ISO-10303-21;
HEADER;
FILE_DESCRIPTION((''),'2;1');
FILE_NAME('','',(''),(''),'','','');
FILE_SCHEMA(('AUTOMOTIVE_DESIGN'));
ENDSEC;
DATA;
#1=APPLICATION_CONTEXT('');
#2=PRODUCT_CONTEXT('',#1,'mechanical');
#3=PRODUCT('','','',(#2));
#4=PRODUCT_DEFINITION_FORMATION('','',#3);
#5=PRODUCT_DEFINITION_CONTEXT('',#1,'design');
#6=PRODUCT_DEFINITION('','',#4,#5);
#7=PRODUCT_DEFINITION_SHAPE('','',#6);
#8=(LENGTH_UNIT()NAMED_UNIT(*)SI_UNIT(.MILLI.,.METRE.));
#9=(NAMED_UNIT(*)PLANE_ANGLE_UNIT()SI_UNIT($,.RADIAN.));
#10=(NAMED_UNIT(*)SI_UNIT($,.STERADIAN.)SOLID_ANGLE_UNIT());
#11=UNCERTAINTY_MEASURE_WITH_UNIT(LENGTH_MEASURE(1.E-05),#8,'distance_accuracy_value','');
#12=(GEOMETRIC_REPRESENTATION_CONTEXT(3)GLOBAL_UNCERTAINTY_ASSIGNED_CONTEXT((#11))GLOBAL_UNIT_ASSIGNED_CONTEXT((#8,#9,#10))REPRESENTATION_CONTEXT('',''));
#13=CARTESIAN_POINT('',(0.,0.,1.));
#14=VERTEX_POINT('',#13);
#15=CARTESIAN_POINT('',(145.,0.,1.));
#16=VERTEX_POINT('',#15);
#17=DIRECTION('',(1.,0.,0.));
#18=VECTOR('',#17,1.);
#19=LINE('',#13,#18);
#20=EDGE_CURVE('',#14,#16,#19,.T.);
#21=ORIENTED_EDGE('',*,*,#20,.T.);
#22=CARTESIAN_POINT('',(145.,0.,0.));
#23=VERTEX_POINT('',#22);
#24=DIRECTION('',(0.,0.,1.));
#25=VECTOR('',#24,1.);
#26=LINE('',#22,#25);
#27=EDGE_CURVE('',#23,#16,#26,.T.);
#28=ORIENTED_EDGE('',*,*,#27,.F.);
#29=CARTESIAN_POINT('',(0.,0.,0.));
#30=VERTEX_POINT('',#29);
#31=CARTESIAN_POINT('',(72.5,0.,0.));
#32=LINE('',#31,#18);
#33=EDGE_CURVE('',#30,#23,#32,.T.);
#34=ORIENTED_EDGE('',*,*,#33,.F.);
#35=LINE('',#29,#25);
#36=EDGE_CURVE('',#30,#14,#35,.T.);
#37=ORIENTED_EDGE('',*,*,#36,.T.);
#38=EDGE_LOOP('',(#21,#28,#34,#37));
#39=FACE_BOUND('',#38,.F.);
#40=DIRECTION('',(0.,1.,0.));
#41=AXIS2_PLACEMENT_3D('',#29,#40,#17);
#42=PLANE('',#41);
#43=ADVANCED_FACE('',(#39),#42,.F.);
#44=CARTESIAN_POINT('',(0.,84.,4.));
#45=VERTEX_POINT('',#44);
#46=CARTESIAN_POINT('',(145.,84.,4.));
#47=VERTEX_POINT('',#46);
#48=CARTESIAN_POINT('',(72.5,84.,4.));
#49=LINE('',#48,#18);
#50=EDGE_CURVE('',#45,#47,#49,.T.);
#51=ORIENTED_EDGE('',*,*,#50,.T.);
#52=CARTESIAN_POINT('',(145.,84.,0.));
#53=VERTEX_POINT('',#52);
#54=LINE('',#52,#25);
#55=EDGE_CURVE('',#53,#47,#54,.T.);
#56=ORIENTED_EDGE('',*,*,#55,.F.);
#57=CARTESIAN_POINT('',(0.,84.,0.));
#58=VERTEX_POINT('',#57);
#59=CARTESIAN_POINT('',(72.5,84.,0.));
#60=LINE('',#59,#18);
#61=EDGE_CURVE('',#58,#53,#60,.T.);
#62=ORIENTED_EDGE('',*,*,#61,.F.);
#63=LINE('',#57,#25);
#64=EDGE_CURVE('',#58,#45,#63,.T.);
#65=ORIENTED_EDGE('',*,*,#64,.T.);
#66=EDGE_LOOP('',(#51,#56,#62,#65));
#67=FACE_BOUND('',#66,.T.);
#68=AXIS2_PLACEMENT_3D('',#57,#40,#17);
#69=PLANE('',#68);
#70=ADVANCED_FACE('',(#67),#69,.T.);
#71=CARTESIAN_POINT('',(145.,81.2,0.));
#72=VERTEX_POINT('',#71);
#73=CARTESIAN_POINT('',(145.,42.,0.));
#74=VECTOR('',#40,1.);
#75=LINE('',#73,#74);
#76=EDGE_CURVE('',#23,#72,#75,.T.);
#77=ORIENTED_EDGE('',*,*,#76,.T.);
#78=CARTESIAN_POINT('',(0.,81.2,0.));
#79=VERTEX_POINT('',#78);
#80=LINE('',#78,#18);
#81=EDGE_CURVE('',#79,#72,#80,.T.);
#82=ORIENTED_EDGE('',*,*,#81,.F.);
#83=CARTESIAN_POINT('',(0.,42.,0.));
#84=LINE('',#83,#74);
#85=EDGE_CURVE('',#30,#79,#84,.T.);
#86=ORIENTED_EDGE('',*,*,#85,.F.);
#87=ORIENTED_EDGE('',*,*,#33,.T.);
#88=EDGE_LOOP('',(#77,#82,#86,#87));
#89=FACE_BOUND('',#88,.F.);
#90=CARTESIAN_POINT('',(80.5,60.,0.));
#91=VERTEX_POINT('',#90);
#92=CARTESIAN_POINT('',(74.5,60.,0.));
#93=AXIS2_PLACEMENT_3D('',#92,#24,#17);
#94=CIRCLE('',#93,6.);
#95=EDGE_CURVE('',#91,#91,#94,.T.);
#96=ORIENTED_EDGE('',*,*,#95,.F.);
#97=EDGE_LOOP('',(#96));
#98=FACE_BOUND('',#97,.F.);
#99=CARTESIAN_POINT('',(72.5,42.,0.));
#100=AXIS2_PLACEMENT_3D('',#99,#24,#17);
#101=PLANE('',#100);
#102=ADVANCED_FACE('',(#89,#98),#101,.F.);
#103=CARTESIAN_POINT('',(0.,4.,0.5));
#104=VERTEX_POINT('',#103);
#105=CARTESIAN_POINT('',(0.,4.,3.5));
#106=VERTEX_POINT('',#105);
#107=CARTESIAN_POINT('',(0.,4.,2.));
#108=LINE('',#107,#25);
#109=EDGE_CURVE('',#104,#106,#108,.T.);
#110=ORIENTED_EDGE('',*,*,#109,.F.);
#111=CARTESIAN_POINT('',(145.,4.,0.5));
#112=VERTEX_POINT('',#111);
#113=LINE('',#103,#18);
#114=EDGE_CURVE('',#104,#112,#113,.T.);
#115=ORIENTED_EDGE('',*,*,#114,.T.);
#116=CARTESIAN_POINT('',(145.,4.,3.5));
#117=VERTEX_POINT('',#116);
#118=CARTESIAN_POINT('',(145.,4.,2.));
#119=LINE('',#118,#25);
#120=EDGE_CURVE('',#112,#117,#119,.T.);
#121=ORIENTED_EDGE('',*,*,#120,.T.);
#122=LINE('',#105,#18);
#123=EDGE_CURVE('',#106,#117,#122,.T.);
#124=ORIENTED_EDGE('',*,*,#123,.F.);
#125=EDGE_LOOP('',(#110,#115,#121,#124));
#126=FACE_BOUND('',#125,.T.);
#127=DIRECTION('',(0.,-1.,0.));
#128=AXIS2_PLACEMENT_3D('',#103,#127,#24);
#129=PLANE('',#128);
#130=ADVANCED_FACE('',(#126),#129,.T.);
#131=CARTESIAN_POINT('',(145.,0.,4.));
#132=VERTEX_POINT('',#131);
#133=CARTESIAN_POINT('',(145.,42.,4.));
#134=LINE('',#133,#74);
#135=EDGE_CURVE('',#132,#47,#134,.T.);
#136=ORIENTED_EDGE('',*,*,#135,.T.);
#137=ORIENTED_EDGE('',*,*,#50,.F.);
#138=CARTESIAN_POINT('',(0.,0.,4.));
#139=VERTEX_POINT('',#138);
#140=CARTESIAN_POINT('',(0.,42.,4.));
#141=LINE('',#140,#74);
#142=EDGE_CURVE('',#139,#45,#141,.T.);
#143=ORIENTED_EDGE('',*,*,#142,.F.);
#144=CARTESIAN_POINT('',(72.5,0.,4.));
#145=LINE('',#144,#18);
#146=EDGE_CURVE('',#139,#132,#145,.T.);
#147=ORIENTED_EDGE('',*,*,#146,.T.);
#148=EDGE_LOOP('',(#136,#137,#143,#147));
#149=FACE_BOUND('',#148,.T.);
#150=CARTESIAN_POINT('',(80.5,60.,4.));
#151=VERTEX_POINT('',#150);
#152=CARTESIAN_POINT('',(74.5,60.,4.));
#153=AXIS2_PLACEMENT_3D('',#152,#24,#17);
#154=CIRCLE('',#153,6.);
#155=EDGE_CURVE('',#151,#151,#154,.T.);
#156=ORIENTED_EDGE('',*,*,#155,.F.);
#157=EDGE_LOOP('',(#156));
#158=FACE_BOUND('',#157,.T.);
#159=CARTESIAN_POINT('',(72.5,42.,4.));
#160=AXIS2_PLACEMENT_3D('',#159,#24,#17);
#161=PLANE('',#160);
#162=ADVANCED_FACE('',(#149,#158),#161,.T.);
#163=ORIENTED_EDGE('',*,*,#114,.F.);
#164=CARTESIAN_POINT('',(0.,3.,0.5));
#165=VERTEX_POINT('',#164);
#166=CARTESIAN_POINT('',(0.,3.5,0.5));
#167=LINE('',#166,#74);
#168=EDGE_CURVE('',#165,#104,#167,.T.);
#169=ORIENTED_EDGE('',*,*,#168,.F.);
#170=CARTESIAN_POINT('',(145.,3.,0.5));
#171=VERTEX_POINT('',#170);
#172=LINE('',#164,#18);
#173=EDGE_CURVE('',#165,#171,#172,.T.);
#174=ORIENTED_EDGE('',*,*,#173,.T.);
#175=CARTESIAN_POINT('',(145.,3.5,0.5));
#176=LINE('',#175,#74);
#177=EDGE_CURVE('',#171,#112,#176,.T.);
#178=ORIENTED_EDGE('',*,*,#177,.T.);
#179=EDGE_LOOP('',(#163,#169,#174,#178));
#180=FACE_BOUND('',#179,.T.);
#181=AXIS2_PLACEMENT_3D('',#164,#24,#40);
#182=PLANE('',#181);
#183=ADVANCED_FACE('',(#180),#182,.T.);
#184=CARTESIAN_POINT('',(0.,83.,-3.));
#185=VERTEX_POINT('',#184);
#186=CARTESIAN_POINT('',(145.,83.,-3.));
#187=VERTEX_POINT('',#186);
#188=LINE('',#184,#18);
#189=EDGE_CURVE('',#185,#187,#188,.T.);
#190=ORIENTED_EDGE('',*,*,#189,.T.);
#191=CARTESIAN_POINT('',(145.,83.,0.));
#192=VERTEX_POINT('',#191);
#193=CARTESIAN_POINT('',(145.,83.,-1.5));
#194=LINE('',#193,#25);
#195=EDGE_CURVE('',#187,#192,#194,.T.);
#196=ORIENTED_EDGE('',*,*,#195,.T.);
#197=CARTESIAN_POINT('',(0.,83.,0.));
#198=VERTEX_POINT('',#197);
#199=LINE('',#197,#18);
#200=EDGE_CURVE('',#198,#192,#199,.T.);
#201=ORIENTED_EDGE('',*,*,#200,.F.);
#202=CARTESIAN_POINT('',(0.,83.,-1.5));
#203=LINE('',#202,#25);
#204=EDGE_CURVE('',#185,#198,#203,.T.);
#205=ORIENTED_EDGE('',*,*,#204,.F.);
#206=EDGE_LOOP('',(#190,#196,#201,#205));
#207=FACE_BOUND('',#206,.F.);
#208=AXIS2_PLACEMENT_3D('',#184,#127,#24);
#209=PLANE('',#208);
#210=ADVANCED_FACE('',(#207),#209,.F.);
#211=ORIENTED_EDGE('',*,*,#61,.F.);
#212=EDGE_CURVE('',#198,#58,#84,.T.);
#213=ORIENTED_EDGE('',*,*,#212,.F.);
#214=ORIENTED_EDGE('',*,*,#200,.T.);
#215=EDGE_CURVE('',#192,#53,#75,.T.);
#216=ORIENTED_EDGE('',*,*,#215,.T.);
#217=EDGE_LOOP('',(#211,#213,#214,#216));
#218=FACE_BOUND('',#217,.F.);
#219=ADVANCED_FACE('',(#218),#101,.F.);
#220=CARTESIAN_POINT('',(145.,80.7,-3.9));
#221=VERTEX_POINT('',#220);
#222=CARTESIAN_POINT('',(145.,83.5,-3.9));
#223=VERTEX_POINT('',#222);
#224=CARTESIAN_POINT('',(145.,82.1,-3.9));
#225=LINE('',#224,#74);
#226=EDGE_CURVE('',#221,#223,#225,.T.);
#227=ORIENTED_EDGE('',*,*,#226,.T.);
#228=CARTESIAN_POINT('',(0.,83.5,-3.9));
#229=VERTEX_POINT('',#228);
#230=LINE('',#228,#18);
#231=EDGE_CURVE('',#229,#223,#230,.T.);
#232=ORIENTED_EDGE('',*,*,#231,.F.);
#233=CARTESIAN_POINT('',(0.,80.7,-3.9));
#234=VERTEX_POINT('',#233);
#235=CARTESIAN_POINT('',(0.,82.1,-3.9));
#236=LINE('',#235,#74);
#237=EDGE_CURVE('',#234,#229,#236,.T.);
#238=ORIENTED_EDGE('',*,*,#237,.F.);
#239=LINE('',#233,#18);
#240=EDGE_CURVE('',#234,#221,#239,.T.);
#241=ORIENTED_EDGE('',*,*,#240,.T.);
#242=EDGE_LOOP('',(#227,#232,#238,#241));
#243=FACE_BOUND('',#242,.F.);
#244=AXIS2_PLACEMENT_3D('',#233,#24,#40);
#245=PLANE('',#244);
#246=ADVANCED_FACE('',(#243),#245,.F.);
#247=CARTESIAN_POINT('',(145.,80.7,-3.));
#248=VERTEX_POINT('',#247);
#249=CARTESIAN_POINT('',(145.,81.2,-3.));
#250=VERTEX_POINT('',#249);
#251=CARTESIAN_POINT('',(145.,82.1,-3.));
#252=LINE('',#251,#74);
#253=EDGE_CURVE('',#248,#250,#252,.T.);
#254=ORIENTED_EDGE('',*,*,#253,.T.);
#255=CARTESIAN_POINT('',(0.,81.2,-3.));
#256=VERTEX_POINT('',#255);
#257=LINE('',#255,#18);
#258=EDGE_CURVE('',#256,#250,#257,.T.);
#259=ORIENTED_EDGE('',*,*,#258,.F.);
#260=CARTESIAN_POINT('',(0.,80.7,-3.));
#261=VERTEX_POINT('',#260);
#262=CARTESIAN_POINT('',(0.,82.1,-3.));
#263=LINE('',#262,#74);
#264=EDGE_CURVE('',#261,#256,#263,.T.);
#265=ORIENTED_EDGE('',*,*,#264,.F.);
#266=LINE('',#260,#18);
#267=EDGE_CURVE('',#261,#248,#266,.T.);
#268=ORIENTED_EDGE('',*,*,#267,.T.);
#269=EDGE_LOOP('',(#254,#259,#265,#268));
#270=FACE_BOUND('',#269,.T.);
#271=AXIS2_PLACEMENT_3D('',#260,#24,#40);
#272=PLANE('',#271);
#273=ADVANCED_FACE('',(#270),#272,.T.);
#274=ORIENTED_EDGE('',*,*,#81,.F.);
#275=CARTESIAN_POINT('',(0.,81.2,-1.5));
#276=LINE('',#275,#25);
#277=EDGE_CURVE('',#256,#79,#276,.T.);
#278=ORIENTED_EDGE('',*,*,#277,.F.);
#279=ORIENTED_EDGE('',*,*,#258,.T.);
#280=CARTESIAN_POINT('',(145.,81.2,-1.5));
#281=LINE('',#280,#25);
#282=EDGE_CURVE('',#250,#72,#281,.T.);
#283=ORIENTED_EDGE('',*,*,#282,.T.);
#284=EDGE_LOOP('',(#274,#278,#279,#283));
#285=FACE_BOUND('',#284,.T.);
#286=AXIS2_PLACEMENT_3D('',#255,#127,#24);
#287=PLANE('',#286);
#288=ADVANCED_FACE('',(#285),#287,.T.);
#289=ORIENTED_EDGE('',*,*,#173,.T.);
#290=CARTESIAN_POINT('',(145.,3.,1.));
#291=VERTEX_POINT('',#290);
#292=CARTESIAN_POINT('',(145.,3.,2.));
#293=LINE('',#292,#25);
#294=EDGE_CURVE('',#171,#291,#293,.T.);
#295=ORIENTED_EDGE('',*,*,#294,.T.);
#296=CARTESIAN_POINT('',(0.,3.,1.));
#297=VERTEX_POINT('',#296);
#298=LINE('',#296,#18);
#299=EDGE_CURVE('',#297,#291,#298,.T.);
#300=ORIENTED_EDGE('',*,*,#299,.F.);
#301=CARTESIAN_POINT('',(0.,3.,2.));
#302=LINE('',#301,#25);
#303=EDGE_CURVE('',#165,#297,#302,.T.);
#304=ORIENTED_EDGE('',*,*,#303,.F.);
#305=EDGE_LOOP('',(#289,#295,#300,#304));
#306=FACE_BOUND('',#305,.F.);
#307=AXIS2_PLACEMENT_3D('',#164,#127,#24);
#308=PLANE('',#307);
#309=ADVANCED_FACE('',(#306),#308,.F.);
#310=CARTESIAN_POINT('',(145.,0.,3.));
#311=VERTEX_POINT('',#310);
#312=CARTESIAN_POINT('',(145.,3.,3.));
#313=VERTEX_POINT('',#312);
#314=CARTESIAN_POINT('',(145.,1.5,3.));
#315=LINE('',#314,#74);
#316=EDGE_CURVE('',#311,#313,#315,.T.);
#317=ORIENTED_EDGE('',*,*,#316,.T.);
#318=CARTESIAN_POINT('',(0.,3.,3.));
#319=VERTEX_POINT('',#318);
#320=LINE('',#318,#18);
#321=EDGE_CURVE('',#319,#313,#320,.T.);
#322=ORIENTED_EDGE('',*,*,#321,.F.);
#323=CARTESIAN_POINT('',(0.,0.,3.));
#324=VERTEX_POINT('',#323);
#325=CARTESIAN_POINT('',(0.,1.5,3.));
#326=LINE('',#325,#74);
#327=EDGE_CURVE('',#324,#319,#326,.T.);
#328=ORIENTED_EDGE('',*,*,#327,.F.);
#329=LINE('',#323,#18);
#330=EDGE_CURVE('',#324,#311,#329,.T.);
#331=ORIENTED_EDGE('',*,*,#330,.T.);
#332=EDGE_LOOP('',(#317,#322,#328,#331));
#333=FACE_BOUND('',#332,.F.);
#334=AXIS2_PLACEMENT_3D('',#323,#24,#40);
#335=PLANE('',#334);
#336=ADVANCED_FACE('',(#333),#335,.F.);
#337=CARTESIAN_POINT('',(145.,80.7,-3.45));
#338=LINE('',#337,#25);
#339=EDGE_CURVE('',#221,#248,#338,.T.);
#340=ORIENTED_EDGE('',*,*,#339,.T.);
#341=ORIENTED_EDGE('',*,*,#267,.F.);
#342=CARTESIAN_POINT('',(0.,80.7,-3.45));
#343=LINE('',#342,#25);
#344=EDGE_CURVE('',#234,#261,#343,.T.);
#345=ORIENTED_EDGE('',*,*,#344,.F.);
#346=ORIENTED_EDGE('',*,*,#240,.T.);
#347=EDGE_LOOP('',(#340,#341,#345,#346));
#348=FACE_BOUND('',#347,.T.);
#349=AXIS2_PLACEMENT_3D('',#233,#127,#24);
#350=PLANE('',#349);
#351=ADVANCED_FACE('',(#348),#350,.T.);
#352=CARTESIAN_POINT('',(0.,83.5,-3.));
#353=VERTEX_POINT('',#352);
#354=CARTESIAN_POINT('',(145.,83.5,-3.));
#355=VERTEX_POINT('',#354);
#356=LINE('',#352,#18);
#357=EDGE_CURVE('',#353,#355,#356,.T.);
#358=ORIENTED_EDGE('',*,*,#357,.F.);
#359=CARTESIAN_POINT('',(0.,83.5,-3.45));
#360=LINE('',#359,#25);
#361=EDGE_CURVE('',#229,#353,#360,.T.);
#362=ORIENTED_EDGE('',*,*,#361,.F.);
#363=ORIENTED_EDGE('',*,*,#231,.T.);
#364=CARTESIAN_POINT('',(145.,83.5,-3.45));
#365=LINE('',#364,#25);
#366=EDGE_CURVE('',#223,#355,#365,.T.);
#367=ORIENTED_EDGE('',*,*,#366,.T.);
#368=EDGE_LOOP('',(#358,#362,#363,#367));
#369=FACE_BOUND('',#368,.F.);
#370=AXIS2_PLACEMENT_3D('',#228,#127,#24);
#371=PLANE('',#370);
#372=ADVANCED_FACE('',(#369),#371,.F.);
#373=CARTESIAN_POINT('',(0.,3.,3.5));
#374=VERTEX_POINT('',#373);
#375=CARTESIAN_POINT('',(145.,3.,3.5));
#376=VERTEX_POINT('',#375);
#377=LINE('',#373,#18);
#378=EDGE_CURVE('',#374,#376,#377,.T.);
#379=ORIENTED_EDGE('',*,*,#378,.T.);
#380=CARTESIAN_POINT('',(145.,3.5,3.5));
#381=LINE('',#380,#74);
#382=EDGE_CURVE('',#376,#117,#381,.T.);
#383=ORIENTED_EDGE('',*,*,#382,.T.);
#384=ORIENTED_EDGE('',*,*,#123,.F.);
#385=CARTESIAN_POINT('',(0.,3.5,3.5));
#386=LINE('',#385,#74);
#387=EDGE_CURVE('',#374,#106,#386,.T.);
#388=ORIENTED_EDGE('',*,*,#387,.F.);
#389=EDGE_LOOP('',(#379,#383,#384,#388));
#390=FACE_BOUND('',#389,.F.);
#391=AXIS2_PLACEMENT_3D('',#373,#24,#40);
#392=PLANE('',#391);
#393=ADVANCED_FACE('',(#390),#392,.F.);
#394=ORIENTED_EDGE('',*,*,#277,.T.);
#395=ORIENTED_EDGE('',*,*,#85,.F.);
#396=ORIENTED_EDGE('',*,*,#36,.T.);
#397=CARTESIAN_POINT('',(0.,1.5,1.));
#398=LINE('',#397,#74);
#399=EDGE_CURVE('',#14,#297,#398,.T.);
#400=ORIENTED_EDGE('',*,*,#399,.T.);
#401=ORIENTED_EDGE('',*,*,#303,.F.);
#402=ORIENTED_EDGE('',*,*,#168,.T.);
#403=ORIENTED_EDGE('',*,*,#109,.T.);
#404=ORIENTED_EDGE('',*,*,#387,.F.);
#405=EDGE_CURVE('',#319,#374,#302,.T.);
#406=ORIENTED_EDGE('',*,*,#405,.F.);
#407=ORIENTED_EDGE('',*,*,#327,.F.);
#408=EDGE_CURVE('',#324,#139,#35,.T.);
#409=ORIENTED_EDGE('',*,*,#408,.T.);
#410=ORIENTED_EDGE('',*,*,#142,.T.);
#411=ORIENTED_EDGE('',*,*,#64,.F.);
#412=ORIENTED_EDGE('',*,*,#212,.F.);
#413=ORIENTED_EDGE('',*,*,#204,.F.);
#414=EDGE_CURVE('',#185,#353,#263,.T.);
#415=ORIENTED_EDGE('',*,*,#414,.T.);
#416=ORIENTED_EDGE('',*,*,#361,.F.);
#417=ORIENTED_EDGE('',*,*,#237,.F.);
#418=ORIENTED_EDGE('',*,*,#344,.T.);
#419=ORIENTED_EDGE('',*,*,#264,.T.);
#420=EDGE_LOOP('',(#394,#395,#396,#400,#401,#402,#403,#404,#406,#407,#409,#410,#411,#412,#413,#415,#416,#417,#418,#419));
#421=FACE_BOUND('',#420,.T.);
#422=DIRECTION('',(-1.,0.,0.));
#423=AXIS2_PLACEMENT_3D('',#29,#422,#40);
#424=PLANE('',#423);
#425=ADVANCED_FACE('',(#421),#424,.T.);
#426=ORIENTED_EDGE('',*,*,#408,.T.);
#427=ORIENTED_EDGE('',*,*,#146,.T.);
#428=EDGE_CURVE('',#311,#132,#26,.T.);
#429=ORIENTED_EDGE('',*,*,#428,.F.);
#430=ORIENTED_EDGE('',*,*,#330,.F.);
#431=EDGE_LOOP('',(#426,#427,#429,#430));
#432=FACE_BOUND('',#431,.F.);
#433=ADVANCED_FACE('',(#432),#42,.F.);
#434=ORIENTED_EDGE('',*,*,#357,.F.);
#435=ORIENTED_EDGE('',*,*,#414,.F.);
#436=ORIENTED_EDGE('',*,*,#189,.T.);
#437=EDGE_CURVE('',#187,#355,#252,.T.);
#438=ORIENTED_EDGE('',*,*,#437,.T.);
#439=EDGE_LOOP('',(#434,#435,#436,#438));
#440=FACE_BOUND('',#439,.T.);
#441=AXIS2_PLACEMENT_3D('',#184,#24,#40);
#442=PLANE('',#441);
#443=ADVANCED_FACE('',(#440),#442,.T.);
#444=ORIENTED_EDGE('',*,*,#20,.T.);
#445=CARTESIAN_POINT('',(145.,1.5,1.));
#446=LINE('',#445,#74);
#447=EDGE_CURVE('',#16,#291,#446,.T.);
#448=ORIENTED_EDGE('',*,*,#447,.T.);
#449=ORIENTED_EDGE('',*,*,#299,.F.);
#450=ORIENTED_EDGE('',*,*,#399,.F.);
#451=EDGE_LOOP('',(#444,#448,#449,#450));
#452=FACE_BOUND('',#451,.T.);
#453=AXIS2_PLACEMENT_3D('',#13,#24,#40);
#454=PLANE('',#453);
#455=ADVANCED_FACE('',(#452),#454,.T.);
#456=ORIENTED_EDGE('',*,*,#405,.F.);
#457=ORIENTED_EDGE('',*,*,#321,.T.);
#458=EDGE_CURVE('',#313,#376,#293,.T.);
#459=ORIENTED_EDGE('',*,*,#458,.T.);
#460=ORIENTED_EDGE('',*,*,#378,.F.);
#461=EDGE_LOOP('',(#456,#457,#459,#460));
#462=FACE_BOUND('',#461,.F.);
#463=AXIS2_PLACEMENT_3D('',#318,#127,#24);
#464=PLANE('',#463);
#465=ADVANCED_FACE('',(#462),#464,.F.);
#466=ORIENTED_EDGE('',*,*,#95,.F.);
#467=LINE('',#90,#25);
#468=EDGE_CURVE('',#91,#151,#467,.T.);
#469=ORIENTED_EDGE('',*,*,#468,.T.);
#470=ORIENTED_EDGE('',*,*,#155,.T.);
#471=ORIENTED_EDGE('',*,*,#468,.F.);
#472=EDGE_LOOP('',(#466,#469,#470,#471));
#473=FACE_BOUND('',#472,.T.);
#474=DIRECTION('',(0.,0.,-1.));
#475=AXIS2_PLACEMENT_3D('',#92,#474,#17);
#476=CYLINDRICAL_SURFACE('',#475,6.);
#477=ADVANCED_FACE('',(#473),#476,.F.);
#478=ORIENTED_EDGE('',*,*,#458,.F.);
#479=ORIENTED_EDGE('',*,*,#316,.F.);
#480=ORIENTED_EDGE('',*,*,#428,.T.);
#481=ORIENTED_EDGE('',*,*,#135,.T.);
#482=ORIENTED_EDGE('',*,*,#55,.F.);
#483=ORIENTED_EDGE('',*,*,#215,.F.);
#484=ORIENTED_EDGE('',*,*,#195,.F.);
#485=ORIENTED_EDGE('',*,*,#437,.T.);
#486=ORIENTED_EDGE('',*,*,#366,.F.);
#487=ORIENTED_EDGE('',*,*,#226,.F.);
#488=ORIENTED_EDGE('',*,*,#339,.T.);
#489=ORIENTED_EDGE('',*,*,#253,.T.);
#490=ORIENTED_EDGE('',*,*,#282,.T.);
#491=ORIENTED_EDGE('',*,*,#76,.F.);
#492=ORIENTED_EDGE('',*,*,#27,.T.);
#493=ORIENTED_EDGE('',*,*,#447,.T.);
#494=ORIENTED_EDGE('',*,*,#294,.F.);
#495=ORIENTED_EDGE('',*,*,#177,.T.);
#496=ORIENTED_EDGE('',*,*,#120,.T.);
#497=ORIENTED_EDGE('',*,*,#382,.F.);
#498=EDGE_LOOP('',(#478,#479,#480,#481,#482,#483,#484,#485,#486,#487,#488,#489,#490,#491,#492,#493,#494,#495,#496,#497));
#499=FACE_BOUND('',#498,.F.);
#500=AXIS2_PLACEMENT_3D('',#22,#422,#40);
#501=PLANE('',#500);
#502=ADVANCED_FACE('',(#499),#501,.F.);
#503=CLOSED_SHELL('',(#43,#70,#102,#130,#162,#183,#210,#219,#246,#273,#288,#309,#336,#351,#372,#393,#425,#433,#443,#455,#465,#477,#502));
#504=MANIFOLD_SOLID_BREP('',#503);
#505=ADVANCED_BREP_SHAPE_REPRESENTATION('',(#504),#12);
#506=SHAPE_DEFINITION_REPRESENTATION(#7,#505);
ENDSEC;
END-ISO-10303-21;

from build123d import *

# Parameters (mm, degrees)
SKETCH150_W     = 145
SKETCH150_H     = 84
SKETCH150_R     = 6
PAD073_DEPTH    = 4
SKETCH179_W     = 1.8
SKETCH179_H     = 3
SKETCH179_W_2   = 2.8
SKETCH179_H_2   = 0.9
PAD084_DEPTH    = 145
SKETCH184_W     = 3
SKETCH184_H     = 2
SKETCH184_W_2   = 1
SKETCH184_H_2   = 3
POCKET108_DEPTH = 145


with BuildPart() as part:
    # Sketch150 → Pad073 (new body)
    with BuildSketch(Plane.XY):
        with Locations((72.5, 42)):
            Rectangle(SKETCH150_W, SKETCH150_H)
        with Locations((74.5, 60)):
            Circle(SKETCH150_R, mode=Mode.SUBTRACT)
    extrude(amount=PAD073_DEPTH)

    # Sketch179 → Pad084 (join)
    with BuildSketch(Plane.YZ):
        with Locations((82.1, -1.5)):
            Rectangle(SKETCH179_W, SKETCH179_H)
        with Locations((82.1, -3.45)):
            Rectangle(SKETCH179_W_2, SKETCH179_H_2)
    extrude(amount=PAD084_DEPTH)

    # Sketch184 → Pocket108 (cut)
    with BuildSketch(Plane.YZ):
        with Locations((1.5, 2)):
            Rectangle(SKETCH184_W, SKETCH184_H)
        with Locations((3.5, 2)):
            Rectangle(SKETCH184_W_2, SKETCH184_H_2)
    extrude(amount=POCKET108_DEPTH, mode=Mode.SUBTRACT)


solid = part.part
